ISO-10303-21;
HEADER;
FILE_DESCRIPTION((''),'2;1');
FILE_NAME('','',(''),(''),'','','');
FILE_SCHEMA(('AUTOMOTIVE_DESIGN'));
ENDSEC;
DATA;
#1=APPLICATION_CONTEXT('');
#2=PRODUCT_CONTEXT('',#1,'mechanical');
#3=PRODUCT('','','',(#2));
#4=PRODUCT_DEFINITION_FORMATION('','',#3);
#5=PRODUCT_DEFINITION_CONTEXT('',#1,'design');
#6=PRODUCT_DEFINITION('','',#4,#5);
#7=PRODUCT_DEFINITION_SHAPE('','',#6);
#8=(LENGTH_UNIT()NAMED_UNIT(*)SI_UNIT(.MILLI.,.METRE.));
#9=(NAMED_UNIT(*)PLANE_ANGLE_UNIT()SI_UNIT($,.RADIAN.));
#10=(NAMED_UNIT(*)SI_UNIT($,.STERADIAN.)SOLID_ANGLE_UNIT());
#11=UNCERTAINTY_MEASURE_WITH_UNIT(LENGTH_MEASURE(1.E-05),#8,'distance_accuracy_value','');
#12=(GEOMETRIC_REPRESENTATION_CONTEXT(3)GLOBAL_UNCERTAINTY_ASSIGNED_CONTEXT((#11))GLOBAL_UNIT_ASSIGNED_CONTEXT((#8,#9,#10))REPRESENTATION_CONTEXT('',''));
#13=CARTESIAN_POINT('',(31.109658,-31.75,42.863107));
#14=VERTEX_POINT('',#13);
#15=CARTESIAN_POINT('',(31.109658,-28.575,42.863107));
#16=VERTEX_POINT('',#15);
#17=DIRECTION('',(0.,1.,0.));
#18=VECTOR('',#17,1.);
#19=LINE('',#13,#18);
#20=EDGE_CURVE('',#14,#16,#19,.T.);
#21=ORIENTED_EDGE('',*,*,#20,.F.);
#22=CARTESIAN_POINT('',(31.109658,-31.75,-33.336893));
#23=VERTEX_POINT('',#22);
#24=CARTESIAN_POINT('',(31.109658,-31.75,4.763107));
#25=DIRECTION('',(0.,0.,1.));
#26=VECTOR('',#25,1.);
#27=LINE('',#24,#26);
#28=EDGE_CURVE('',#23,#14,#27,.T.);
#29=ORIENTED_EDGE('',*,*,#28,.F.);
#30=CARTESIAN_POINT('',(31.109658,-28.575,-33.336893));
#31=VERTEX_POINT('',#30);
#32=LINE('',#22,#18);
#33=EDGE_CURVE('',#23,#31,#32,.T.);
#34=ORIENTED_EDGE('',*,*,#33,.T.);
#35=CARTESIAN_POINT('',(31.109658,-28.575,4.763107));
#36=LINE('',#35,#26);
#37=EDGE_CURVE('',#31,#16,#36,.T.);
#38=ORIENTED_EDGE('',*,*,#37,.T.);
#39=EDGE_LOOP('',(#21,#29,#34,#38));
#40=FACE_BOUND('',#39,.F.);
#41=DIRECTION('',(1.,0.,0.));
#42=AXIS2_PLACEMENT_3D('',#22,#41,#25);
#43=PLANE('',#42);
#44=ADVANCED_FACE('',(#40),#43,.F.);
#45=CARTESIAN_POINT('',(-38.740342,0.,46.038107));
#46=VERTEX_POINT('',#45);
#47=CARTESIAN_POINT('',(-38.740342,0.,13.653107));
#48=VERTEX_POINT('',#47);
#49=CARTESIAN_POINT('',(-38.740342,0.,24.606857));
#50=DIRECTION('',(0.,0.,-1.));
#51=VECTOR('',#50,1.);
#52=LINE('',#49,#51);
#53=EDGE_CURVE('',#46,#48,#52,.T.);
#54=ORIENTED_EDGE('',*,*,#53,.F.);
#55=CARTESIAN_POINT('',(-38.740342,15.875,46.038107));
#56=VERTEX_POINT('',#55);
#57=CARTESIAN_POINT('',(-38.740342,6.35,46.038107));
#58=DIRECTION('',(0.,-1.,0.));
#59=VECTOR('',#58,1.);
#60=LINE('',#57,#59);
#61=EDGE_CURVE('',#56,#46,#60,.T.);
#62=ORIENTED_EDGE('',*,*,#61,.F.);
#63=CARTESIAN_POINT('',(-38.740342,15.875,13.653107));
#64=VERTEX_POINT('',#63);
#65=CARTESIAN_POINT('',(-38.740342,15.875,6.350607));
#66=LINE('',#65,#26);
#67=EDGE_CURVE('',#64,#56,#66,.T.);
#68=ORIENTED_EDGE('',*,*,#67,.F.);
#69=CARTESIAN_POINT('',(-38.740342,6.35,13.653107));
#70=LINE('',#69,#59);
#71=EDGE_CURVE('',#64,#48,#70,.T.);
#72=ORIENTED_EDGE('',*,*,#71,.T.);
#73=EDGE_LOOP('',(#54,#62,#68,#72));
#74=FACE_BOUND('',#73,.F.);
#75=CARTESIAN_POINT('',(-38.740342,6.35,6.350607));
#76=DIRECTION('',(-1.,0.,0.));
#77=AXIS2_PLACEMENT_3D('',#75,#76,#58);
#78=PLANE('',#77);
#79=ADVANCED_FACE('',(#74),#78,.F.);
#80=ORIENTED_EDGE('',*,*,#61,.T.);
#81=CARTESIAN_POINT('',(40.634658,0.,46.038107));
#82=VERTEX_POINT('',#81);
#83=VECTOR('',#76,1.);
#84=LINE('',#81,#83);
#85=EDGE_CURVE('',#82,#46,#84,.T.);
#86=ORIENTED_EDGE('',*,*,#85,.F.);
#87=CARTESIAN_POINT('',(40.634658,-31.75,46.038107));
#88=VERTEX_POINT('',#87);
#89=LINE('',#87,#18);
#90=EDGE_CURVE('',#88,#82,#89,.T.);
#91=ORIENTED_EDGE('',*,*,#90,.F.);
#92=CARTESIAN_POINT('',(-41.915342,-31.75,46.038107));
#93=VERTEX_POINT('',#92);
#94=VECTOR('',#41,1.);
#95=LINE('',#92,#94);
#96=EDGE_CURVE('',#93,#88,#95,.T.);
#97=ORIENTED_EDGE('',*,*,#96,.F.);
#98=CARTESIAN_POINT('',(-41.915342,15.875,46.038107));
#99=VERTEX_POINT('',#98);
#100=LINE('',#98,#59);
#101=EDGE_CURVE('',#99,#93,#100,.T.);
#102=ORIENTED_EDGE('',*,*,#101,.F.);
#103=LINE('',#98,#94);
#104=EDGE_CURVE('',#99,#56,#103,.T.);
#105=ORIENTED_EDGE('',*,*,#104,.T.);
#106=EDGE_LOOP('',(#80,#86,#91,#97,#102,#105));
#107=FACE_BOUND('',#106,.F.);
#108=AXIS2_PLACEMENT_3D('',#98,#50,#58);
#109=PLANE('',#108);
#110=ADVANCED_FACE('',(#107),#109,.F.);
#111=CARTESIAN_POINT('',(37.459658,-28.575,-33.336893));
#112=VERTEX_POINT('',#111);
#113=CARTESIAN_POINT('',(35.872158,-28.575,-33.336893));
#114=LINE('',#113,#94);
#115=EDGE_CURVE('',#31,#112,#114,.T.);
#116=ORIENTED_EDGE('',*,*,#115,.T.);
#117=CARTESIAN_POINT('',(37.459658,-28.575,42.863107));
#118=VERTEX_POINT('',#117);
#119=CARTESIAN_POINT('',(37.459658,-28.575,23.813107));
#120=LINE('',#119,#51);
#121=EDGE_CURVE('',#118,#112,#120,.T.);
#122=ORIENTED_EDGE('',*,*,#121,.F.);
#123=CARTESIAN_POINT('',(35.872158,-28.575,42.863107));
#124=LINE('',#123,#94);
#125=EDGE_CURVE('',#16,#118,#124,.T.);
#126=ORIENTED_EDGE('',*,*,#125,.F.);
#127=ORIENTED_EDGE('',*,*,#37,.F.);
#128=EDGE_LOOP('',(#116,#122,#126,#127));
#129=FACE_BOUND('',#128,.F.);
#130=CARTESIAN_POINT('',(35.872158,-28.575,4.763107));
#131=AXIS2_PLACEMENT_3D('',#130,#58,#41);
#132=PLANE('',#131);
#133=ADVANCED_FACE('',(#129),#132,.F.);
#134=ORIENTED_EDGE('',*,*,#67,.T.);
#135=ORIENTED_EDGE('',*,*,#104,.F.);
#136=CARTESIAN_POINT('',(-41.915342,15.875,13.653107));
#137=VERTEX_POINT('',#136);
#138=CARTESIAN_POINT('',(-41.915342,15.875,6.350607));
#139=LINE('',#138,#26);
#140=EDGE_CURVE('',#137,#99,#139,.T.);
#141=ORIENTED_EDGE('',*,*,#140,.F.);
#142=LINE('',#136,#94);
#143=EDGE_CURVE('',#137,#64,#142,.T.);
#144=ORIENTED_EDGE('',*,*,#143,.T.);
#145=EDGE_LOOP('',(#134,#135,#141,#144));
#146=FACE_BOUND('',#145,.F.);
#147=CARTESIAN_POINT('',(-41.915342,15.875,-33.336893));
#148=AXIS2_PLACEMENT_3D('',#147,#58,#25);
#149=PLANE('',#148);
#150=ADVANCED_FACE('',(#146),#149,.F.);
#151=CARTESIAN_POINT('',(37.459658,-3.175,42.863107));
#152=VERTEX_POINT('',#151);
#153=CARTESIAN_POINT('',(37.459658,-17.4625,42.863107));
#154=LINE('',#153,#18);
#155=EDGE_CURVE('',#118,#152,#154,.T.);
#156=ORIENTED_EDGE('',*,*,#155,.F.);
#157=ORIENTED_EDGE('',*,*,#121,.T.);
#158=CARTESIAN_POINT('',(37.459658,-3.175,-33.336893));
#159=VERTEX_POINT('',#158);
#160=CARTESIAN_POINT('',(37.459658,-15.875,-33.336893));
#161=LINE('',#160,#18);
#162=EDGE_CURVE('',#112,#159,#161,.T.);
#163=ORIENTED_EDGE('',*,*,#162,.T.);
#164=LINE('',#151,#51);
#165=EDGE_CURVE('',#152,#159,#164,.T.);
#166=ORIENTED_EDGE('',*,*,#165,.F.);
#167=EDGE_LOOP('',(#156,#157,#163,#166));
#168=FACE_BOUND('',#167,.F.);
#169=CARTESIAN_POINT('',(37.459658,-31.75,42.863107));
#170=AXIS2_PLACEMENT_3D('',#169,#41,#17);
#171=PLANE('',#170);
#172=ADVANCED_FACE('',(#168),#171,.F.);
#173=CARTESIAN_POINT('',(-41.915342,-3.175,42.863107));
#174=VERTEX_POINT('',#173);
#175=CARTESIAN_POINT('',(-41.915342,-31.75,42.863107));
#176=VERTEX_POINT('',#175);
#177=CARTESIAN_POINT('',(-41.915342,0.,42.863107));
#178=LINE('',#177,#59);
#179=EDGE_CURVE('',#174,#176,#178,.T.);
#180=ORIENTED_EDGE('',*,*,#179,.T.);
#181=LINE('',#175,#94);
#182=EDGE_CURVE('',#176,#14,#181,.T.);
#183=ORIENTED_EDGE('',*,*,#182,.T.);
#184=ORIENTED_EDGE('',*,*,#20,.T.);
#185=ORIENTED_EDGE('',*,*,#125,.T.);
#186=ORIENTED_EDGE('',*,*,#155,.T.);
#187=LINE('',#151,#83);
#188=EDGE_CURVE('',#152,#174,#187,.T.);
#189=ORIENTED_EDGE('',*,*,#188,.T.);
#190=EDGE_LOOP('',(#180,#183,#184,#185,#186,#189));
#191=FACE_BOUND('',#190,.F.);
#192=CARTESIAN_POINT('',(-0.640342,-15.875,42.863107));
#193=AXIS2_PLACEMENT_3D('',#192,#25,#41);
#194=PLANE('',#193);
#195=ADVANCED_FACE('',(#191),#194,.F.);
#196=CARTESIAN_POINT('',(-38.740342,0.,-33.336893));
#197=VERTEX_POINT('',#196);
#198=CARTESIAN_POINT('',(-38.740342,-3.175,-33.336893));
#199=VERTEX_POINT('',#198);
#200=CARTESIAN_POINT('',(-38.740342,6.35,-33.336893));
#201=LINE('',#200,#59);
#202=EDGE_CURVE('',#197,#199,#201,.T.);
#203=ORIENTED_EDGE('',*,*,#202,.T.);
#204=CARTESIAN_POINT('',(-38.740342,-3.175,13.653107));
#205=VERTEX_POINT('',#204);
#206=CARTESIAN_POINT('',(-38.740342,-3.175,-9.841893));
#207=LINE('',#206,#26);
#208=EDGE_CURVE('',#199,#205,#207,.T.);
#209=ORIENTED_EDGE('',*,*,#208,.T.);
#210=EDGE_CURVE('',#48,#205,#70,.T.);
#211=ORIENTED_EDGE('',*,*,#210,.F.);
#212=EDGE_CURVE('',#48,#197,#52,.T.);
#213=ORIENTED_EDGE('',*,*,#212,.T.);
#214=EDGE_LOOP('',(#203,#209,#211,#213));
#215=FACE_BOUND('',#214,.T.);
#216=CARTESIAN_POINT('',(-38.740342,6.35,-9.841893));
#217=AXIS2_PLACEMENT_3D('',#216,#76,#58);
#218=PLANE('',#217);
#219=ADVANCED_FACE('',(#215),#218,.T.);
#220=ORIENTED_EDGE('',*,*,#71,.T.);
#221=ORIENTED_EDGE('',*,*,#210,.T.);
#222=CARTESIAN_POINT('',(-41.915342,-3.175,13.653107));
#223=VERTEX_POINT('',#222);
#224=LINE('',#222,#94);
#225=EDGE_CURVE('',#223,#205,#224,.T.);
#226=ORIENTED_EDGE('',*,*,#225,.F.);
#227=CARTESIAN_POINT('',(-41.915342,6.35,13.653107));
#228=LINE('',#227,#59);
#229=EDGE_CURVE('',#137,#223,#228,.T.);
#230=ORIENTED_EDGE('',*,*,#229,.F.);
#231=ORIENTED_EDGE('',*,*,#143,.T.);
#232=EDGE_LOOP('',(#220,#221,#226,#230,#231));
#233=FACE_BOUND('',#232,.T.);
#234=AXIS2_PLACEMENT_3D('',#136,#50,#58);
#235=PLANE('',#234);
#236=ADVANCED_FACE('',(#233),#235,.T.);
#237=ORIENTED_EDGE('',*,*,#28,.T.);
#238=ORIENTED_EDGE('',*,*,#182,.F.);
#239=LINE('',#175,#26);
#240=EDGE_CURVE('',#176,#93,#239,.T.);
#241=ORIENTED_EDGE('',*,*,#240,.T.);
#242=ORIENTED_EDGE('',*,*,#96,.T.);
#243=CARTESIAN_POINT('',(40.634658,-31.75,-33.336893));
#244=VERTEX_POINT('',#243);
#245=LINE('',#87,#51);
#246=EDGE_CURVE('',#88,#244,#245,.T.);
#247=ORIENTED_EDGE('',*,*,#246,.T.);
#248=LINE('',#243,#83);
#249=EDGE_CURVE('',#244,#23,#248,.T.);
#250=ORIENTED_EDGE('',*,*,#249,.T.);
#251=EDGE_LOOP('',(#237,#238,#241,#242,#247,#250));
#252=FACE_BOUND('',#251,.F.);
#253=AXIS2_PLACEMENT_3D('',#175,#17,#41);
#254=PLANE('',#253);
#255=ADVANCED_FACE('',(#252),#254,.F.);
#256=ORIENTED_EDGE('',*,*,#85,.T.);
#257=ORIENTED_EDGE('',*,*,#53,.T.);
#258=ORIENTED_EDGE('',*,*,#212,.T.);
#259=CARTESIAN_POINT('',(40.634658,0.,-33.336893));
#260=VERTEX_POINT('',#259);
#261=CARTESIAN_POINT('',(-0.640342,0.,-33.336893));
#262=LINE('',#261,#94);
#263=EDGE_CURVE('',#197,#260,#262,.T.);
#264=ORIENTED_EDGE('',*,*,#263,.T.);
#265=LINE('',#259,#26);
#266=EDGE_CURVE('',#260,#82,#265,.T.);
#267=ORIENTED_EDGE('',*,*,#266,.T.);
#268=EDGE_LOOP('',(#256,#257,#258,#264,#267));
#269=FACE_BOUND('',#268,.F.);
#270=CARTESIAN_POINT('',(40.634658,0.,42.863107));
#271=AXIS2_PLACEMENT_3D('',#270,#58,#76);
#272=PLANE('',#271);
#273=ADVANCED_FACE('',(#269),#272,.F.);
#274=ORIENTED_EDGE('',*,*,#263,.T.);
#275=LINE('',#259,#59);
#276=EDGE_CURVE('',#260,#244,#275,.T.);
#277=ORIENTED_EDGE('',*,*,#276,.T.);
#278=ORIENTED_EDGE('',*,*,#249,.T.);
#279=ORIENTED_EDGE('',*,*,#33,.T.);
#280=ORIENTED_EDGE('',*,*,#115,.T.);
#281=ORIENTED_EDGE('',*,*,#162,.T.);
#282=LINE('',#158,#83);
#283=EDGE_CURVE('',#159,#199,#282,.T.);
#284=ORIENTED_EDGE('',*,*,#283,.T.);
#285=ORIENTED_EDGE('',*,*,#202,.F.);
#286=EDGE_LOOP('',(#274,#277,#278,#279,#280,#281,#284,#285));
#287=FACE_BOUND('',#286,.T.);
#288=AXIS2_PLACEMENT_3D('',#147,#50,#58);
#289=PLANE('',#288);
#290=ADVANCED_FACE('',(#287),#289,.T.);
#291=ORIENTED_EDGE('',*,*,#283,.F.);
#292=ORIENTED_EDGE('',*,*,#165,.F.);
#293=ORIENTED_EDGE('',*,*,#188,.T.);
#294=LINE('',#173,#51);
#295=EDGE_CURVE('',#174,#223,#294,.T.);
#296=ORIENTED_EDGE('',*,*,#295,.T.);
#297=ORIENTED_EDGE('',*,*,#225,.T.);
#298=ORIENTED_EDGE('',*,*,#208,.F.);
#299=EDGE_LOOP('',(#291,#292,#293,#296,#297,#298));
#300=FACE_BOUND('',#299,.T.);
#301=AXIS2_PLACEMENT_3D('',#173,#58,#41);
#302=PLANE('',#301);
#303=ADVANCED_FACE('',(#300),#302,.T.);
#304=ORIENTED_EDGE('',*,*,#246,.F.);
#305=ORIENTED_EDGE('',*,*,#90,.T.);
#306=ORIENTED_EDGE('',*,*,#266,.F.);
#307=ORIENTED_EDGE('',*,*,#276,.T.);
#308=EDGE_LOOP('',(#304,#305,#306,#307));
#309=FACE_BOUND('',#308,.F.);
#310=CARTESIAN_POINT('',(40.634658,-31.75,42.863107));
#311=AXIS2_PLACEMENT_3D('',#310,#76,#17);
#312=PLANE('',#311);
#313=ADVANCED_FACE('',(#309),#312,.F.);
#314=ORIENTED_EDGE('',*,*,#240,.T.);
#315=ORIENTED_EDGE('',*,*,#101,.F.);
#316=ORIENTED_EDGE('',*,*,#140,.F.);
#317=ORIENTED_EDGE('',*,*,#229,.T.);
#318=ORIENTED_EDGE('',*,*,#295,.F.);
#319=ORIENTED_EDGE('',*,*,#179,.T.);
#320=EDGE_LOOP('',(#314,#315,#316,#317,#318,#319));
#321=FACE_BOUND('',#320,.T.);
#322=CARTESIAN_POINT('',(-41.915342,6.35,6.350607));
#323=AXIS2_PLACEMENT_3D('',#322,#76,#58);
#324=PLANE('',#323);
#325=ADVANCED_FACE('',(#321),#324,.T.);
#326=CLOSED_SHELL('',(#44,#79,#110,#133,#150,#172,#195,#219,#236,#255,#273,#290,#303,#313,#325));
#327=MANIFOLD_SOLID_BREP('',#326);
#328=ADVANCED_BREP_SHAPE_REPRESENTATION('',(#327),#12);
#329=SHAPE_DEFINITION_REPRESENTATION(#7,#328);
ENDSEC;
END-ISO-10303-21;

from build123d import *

# Parameters (mm, degrees)
F0_W      = 82.55
F0_H      = 76.2
F1_DEPTH  = 31.75
F2_W      = 79.375
F2_H      = 28.575
F3_DEPTH  = 101.6
F4_W      = 9.525
F4_H      = 76.2
F5_DEPTH  = 3.175
F7_DEPTH  = 3.175
F8_W      = 19.05
F8_H      = 79.375
F9_DEPTH  = 3.175
F10_W     = 19.05
F10_H     = 46.99
F11_DEPTH = 3.175


with BuildPart() as f1:
    # F0 (on Front) → F1 (new body)
    with BuildSketch(Plane.XZ):
        with Locations((-0.640342, 4.763107)):
            Rectangle(F0_W, F0_H)
    extrude(amount=F1_DEPTH)

    # F2 (on face) → F3 (cut)
    with BuildSketch(Plane.XY.offset(42.863107)):
        with Locations((-2.227842, -17.4625)):
            Rectangle(F2_W, F2_H)
    extrude(amount=-F3_DEPTH, mode=Mode.SUBTRACT)

    # F4 (on face) → F5 (join)
    with BuildSketch(Plane.XZ.offset(31.75)):
        with Locations((35.872158, 4.763107)):
            Rectangle(F4_W, F4_H)
    extrude(amount=-F5_DEPTH)

    # F6 (on face) → F7 (join)
    with BuildSketch(Plane.XY.offset(42.863107)):
        Polygon((40.634658, -31.75), (40.634658, 0), (-41.915342, 0), (-41.915342, -3.175), (-41.915342, -31.75), align=None)
    extrude(amount=F7_DEPTH)

    # F8 (on face) → F9 (join)
    with BuildSketch(Plane(origin=(-41.915342, 0, 0), x_dir=(0, -1, 0), z_dir=(-1, 0, 0))):
        with Locations((-6.35, 6.350607)):
            Rectangle(F8_W, F8_H)
    extrude(amount=-F9_DEPTH)

    # F10 (on face) → F11 (cut)
    with BuildSketch(Plane(origin=(-41.915342, 0, 0), x_dir=(0, -1, 0), z_dir=(-1, 0, 0))):
        with Locations((-6.35, -9.841893)):
            Rectangle(F10_W, F10_H)
    extrude(amount=-F11_DEPTH, mode=Mode.SUBTRACT)


solid = f1.part
